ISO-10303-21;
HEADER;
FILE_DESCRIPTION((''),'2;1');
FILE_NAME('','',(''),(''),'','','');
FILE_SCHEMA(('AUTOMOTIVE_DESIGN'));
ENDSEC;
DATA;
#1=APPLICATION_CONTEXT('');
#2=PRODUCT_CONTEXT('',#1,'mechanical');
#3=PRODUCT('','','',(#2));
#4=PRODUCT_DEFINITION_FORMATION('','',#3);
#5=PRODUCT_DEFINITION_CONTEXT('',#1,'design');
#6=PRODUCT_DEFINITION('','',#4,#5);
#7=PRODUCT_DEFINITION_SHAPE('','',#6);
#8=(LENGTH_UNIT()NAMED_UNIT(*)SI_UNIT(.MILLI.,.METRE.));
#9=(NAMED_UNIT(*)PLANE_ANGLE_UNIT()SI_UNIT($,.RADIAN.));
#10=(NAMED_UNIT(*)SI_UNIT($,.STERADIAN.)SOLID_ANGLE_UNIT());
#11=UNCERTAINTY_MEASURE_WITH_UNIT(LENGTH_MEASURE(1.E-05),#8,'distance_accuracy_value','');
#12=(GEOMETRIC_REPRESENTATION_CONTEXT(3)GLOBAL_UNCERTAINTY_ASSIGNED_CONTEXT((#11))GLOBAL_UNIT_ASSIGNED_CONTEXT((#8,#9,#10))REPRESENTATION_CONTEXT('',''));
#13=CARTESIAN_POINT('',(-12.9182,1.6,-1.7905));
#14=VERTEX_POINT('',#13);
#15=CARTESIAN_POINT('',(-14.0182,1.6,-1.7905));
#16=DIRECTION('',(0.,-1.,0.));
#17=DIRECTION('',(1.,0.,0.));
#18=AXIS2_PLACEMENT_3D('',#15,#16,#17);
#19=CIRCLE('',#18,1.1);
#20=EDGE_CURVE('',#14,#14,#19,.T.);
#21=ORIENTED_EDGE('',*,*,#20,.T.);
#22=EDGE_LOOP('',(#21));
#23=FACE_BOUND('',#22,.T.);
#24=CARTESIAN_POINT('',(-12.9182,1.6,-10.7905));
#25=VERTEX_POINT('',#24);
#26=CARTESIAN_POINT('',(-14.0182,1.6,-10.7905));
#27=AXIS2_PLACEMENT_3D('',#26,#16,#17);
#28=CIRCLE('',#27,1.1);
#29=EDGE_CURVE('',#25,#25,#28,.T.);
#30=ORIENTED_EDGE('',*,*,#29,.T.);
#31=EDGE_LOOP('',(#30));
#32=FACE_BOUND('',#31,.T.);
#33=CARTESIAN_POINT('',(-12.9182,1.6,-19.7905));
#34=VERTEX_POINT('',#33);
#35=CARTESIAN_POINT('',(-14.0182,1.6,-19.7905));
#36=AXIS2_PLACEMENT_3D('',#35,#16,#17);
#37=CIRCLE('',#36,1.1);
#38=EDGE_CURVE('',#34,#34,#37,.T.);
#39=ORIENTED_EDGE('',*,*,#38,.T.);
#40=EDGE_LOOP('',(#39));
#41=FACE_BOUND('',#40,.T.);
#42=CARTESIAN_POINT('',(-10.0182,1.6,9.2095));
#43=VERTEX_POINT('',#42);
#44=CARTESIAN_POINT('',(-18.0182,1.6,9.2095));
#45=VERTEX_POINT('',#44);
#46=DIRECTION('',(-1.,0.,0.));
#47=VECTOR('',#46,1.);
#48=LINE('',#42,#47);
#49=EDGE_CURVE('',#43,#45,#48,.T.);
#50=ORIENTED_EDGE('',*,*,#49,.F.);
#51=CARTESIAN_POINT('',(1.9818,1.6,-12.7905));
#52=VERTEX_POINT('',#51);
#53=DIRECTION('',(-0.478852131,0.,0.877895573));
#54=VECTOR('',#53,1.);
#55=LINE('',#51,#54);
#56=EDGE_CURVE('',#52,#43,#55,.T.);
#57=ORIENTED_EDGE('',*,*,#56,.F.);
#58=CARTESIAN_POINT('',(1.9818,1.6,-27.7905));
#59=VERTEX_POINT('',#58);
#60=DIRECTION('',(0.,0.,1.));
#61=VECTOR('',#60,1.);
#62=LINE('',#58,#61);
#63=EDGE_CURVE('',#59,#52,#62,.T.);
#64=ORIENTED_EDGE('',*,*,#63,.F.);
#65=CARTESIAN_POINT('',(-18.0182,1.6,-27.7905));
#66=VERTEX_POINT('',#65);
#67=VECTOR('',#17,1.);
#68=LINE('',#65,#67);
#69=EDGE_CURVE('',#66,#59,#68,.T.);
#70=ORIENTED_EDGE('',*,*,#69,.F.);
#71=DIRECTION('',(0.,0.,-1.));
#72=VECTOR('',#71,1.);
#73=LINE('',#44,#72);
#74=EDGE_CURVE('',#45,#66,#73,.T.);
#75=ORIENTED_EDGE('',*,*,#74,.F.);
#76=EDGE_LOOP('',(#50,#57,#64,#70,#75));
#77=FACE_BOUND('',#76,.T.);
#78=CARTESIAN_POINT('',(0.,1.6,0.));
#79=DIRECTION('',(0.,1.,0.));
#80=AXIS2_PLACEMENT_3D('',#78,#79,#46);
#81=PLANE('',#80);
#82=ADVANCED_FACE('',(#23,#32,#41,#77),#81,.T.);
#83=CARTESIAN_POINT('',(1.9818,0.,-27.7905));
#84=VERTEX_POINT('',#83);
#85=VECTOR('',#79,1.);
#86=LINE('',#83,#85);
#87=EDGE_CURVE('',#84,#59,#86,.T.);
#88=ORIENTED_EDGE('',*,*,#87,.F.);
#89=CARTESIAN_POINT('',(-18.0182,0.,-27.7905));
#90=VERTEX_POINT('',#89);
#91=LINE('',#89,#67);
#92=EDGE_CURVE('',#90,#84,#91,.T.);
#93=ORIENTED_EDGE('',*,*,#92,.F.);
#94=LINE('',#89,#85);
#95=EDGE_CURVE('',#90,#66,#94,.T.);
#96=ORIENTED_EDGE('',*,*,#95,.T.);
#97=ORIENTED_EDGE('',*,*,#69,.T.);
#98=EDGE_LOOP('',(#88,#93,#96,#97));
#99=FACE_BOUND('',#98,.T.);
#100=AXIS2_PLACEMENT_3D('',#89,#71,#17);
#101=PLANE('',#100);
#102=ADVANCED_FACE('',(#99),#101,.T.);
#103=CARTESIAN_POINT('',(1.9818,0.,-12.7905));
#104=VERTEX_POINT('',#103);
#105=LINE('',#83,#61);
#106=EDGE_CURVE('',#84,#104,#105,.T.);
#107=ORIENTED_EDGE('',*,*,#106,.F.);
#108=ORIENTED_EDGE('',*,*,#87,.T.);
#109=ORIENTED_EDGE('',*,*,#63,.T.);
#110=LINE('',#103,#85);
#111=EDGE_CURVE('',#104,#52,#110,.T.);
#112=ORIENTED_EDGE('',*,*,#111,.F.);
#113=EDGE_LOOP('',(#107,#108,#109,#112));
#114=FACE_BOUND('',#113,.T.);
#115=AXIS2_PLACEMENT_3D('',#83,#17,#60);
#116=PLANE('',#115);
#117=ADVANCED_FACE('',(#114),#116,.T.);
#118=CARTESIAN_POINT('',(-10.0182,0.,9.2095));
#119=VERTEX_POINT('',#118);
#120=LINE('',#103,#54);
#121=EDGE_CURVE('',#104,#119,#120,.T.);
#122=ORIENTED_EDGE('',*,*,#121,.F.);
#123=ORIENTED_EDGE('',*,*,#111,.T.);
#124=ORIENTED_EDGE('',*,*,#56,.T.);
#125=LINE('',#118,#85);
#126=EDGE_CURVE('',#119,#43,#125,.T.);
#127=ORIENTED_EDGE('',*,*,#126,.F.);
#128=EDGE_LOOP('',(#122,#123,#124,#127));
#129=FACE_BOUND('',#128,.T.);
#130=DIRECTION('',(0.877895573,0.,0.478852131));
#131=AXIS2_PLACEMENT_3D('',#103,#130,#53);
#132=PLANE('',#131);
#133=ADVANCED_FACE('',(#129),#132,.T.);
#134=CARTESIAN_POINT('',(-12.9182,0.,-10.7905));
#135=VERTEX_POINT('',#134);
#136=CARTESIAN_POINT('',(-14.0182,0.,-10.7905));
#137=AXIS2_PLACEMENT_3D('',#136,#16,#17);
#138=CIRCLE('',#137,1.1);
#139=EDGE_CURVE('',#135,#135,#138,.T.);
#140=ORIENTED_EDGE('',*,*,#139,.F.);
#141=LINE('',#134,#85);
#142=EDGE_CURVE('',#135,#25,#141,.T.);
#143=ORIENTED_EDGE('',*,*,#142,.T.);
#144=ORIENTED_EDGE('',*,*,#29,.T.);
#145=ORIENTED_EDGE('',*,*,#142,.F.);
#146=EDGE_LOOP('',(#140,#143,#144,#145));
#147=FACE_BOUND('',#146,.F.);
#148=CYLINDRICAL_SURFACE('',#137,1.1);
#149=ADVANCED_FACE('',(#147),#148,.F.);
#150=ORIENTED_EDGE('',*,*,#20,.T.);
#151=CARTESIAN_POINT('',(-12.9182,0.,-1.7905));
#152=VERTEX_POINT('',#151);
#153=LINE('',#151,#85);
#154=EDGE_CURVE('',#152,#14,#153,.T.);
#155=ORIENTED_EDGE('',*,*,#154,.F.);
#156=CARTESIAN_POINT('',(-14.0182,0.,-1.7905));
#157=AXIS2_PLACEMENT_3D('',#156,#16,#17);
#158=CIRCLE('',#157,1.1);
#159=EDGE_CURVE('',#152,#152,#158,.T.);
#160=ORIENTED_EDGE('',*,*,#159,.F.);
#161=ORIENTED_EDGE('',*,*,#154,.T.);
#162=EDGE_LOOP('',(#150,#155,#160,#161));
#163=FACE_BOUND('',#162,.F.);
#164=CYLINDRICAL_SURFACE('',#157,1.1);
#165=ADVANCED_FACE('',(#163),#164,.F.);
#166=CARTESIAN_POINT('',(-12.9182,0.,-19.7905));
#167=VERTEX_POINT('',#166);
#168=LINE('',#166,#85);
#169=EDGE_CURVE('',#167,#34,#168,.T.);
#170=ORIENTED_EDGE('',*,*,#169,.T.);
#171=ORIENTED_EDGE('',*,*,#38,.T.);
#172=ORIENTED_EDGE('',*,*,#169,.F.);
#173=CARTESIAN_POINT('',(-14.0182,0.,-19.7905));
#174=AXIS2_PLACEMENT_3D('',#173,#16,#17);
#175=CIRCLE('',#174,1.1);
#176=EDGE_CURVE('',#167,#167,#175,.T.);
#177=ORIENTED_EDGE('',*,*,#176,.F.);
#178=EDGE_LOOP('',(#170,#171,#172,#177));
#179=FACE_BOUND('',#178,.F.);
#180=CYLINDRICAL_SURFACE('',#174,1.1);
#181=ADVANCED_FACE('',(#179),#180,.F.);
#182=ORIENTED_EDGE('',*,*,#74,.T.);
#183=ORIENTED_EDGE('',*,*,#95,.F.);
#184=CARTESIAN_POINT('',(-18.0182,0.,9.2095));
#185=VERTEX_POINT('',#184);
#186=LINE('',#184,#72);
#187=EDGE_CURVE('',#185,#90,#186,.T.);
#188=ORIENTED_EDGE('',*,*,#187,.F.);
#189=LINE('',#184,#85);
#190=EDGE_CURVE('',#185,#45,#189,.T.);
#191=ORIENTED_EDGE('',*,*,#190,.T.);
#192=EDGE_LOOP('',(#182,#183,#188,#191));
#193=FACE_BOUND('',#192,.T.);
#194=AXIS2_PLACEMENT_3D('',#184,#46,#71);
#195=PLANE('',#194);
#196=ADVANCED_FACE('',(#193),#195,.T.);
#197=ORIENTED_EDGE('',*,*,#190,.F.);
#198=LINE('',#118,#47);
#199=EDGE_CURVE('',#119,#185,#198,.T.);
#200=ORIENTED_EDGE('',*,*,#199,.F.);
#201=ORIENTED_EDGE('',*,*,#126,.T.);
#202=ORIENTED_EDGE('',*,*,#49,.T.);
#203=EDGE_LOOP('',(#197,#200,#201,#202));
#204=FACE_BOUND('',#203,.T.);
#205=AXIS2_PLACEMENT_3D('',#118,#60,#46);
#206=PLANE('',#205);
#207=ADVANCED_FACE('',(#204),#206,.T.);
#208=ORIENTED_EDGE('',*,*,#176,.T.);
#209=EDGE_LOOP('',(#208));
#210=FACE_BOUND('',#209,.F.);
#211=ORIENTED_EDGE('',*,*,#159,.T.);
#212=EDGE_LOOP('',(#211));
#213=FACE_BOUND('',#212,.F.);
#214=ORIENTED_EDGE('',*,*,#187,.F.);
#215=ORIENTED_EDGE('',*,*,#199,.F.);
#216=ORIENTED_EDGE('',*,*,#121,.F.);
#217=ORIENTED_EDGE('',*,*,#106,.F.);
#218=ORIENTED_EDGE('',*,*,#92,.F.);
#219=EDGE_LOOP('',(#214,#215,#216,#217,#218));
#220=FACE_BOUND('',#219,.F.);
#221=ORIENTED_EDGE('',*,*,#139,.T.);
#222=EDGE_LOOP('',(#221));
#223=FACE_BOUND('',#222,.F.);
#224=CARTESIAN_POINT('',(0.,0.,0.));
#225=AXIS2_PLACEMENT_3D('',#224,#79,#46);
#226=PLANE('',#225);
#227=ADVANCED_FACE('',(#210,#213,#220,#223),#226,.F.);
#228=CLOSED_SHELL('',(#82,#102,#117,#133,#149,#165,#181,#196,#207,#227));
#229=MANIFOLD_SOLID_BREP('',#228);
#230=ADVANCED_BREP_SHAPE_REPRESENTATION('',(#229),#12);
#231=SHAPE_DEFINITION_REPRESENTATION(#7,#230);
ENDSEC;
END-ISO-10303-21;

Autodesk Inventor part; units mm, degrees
ref_plane "YZ Plane" through (0, 0, 0) normal (1, 0, 0) x (0, 1, 0)
ref_plane "XZ Plane" through (0, 0, 0) normal (0, 1, 0) x (-1, 0, 0)
ref_plane "XY Plane" through (0, 0, 0) normal (0, 0, 1) x (1, 0, 0)
sketch "Sketch1" plane through (0, 0, 0) normal (0, 1, 0) x (-1, 0, 0)
  line L0 (18.0182, 9.2095) -> (18.0182, -27.7905)
  line L1 (18.0182, -27.7905) -> (-1.9818, -27.7905)
  line L2 (-1.9818, -27.7905) -> (-1.9818, -12.7905)
  line L3 (-1.9818, -12.7905) -> (10.0182, 9.2095)
  line L4 (10.0182, 9.2095) -> (18.0182, 9.2095)
  point P0 (0, 0)
  dimension "d0" = 37
  dimension "d1" = 8
  dimension "d2" = 20
  dimension "d3" = 15
extrude "Extrusion1" add sketch "Sketch1" along normal blind 1.6
sketch "Sketch2" plane through (0, 0, 0) normal (0, -1, 0) x (1, 0, 0)
  circle A0 centre (-14.0182, -10.7905) radius 1.1
  circle A1 centre (-14.0182, -19.7905) radius 1.1
  line L0 (-18.0182, -27.7905) -> (-18.0182, 9.2095) projected
  line L1 (1.9818, -27.7905) -> (-18.0182, -27.7905) projected
  circle A2 centre (-14.0182, -1.7905) radius 1.1
  point P0 (0, 0)
  dimension "d6" = 2.2
  dimension "d7" = 2.2
  dimension "d8" = 4
  dimension "d9" = 4
  dimension "d10" = 8
  dimension "d11" = 9
  dimension "d14" = 2.2
  dimension "d15" = 4
  dimension "d16" = 9
extrude "Extrusion2" cut sketch "Sketch2" against normal through all
properties part number "probe_PCB"
